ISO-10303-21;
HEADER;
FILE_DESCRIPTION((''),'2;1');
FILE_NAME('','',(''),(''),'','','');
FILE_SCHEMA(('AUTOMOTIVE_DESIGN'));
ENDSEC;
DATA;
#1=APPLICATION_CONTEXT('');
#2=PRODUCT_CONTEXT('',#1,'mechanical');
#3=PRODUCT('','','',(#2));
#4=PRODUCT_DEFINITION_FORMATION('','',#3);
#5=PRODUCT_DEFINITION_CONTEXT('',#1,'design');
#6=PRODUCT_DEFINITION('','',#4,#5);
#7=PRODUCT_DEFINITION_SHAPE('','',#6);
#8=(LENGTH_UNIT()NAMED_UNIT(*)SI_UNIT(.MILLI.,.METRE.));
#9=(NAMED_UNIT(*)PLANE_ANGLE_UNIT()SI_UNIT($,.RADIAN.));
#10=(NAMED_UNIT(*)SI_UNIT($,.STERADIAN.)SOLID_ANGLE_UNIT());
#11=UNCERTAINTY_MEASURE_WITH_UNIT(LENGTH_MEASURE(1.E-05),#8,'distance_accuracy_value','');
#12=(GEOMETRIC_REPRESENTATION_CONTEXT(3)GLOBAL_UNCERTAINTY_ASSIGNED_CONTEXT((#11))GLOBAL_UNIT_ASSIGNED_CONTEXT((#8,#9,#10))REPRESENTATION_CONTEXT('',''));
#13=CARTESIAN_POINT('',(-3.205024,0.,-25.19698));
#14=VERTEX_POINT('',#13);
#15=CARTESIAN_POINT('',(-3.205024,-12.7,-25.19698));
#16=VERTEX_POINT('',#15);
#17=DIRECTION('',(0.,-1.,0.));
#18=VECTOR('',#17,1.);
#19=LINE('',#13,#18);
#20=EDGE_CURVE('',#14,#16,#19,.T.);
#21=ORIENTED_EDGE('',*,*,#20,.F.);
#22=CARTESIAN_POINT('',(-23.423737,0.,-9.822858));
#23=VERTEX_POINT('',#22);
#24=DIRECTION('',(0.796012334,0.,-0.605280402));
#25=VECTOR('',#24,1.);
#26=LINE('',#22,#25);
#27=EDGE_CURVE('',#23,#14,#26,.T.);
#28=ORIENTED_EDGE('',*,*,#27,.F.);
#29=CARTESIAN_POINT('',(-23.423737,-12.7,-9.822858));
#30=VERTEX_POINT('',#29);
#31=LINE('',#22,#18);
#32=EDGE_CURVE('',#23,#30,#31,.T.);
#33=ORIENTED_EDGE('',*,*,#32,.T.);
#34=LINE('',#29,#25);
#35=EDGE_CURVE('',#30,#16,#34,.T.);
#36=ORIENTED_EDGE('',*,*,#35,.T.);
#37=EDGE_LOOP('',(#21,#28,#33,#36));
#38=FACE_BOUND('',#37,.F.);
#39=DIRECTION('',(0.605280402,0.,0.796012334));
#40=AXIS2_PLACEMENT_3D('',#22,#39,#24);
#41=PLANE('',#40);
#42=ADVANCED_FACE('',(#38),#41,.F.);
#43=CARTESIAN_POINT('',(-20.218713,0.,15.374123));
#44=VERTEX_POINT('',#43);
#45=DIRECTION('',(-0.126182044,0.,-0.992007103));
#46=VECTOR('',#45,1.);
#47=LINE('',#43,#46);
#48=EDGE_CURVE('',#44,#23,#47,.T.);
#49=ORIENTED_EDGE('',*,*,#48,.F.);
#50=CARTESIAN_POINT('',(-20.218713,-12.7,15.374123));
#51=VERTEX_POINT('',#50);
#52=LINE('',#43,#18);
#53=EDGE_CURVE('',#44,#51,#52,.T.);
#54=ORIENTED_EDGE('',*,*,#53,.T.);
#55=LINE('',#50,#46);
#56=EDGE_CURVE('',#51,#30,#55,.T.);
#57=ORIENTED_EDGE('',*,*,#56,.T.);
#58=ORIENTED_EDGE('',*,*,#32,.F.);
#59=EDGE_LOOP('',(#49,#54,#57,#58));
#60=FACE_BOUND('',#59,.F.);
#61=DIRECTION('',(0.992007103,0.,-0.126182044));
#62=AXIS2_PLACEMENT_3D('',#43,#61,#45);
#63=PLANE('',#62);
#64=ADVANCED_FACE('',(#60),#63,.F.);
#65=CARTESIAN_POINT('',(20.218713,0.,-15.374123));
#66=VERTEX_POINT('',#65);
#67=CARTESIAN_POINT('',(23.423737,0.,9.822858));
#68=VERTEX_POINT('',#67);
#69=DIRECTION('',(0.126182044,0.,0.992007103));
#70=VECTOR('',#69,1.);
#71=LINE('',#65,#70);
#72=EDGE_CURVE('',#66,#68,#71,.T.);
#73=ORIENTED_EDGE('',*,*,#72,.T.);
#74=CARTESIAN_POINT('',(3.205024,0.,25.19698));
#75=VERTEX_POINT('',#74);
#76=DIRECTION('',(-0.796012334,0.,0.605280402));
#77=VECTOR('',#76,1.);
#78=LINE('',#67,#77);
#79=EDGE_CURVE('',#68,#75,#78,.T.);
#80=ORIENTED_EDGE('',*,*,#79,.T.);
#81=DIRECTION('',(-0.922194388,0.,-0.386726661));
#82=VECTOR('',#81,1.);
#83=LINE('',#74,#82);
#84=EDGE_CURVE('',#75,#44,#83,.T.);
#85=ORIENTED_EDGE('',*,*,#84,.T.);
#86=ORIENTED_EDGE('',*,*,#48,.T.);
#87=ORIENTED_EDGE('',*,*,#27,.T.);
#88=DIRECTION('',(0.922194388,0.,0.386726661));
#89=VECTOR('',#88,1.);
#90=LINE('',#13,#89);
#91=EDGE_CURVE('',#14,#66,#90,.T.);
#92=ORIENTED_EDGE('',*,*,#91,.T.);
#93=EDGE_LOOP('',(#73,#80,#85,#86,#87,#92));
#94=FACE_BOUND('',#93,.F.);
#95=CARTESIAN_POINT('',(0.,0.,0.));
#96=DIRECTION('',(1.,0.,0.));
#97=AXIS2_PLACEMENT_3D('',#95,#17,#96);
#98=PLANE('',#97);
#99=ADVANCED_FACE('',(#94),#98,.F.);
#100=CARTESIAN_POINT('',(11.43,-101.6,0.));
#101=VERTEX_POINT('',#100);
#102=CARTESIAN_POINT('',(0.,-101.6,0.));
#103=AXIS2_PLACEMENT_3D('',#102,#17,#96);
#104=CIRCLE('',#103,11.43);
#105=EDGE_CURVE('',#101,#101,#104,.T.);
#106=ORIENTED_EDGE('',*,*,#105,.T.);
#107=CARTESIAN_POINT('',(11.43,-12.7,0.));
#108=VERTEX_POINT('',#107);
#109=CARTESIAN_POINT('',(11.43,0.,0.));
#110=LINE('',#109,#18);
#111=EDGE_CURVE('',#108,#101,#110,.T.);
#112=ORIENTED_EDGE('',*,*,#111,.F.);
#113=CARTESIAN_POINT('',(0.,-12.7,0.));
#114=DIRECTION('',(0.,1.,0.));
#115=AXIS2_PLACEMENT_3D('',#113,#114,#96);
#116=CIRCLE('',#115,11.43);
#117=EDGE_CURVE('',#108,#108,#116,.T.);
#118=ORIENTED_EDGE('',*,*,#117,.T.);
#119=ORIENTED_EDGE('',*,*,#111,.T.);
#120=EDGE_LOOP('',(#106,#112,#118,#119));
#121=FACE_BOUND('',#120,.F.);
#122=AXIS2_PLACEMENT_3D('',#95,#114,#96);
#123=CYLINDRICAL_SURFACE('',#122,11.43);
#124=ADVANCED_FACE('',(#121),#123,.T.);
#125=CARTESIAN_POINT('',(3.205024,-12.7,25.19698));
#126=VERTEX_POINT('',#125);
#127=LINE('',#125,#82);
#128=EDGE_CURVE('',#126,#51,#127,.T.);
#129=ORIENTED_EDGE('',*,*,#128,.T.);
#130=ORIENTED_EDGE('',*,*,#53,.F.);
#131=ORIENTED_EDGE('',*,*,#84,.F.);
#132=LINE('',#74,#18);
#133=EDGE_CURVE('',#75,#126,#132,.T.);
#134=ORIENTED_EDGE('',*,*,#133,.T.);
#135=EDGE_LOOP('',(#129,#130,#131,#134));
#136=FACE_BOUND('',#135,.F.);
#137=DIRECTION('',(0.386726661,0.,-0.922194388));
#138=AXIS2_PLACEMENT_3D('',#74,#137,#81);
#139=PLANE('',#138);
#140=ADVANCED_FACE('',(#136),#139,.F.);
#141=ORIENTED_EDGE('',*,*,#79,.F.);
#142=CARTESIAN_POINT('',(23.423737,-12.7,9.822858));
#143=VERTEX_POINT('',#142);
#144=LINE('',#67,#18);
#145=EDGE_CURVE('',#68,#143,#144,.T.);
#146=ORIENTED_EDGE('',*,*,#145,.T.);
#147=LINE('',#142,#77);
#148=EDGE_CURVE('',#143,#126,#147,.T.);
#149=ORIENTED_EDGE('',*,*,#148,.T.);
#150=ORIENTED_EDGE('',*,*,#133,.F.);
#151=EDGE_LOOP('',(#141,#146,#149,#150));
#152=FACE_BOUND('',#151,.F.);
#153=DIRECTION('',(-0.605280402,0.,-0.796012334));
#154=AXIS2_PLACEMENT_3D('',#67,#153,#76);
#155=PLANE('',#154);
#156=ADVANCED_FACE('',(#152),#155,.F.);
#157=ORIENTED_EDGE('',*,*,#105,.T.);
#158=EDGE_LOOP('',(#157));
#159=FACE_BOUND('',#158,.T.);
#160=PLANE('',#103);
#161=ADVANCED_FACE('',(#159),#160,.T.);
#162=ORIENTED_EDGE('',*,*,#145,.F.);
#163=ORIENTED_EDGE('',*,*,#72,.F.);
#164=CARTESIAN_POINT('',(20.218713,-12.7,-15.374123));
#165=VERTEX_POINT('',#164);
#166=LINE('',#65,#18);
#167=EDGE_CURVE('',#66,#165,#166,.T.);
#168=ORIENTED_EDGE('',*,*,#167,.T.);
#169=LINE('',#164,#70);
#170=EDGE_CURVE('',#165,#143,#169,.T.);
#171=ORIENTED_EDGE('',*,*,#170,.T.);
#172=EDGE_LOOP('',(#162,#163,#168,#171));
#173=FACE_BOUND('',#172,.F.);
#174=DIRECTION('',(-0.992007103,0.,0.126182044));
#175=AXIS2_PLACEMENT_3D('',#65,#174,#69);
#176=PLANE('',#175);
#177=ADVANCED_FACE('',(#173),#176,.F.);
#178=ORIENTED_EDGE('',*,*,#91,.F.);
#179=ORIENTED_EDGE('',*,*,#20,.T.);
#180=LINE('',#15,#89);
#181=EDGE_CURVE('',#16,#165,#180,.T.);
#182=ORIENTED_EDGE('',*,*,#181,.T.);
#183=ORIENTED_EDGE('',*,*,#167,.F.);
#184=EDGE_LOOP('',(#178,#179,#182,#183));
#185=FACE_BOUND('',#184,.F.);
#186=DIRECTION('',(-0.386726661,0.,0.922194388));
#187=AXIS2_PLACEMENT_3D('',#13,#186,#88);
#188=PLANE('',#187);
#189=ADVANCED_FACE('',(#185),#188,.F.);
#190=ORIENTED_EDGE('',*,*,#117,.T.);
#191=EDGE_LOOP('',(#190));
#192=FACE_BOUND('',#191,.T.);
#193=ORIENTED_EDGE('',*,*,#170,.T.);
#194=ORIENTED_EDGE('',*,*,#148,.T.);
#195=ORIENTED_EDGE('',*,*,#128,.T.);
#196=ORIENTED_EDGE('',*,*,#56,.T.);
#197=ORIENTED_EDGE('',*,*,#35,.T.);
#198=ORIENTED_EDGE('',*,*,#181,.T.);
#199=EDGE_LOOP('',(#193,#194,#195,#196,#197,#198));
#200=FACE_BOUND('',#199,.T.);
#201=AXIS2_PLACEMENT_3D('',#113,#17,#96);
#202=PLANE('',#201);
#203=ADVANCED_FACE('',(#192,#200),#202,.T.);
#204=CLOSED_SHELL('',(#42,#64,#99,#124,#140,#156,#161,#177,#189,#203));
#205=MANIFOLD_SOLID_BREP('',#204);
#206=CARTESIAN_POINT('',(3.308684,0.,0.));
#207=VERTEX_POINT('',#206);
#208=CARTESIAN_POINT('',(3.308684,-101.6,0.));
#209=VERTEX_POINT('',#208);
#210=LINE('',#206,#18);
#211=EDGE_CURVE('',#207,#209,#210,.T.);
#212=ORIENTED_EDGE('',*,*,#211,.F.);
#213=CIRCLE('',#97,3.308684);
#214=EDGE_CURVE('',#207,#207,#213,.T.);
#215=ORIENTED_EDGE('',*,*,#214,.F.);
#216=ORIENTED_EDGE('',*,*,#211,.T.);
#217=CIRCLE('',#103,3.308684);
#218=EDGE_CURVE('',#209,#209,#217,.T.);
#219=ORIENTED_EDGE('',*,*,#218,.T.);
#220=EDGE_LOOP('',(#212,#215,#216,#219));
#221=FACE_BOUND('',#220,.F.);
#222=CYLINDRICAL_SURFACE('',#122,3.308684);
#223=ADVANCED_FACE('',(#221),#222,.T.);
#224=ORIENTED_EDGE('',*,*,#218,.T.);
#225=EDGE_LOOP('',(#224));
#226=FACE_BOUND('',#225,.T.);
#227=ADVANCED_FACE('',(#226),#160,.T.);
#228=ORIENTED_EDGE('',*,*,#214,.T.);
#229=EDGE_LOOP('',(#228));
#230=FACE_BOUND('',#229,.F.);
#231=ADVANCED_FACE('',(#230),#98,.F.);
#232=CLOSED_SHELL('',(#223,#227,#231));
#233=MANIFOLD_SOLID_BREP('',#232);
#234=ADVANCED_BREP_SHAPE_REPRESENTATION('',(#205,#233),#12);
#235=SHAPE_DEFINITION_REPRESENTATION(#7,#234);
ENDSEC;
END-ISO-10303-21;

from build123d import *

# Parameters (mm, degrees)
F1_DEPTH = 12.7
F2_R     = 11.43
F3_DEPTH = 101.6
F4_R     = 3.308684
F5_DEPTH = 101.6


with BuildPart() as f1:
    # F0 (on Front) → F1 (new body)
    with BuildSketch(Plane.XZ):
        Polygon((3.205024, 25.19698), (-20.218713, 15.374123), (-23.423737, -9.822858), (-3.205024, -25.19698), (20.218713, -15.374123), (23.423737, 9.822858), align=None)
    extrude(amount=F1_DEPTH)

    # F2 (on Front) → F3 (join)
    with BuildSketch(Plane.XZ):
        Circle(F2_R)
    extrude(amount=F3_DEPTH)


with BuildPart() as f5:
    # F4 (on Front) → F5 (new body)
    with BuildSketch(Plane.XZ):
        Circle(F4_R)
    extrude(amount=F5_DEPTH)


solid = Compound([f1.part, f5.part])
